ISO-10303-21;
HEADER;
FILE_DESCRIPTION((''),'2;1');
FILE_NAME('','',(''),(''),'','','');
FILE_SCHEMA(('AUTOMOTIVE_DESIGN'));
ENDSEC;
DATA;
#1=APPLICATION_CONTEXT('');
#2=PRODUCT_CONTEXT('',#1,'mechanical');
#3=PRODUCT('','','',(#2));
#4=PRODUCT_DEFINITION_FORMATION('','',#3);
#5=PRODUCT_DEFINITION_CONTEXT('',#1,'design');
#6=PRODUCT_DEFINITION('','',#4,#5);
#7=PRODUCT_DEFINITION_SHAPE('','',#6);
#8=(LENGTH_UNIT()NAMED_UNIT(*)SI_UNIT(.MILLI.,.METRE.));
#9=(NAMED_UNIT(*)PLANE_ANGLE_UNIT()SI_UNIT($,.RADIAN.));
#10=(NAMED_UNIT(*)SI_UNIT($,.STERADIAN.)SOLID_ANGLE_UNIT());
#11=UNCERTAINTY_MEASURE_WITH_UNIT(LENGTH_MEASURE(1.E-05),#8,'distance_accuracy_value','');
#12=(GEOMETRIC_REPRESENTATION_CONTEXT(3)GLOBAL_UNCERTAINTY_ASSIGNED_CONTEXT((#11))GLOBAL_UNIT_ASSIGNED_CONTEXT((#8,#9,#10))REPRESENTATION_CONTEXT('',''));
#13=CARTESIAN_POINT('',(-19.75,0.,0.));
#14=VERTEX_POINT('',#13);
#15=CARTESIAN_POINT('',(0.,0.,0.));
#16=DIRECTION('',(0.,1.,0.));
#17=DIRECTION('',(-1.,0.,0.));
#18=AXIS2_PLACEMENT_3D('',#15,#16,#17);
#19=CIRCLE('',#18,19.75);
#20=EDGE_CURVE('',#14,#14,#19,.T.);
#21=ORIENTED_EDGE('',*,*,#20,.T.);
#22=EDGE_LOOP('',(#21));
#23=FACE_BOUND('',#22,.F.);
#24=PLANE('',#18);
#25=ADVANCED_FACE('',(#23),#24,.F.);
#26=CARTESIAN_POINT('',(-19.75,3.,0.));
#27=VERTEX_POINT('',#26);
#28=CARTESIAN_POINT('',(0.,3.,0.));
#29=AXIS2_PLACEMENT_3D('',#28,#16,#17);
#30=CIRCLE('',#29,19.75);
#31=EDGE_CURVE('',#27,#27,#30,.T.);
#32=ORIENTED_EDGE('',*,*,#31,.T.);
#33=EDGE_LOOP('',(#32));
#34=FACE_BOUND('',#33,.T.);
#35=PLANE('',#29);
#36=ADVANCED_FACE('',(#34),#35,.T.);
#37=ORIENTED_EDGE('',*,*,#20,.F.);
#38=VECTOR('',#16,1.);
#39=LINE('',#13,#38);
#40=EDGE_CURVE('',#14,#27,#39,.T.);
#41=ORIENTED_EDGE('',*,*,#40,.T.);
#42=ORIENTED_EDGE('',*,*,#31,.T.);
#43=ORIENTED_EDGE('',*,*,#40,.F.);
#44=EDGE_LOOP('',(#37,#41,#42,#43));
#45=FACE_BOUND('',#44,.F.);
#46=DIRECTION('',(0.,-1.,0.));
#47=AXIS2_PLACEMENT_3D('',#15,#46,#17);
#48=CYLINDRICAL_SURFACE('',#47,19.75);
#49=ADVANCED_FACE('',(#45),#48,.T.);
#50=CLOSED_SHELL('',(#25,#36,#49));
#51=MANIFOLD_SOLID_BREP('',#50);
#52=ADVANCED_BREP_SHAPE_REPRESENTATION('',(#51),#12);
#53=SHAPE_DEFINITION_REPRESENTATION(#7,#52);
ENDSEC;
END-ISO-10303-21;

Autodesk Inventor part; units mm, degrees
ref_plane "YZ Plane" through (0, 0, 0) normal (1, 0, 0) x (0, 1, 0)
ref_plane "XZ Plane" through (0, 0, 0) normal (0, 1, 0) x (-1, 0, 0)
ref_plane "XY Plane" through (0, 0, 0) normal (0, 0, 1) x (1, 0, 0)
sketch "Skizze1" plane through (0, 0, 0) normal (0, 1, 0) x (-1, 0, 0)
  circle A0 centre (0, 0) radius 19.25
  circle A1 centre (0, 0) radius 19.75
  dimension "d0" = 38.5
  dimension "d1" = 0.5
extrude "Extrusion1" add sketch "Skizze1" along normal blind 3
sketch "Skizze2" plane through (0, 3, 0) normal (0, 1, 0) x (1, 0, 0)
  circle A0 centre (0, 0) radius 19.75 projected
  line L0 (-10.9514, -0.5507) -> (-9.9514, -0.5507) construction
  circle A1 centre (0, 0) radius 19.75 projected
  circle A2 centre (0, 0) radius 19.25 projected
  arc A3 (-10.1928, -0.3825) -> (-10.1928, 0.3825) centre (-9.7907, 0) ccw
  circle A4 centre (0, 0) radius 19.25 projected
  arc A5 (-9.9638, 0.85) -> (-9.7216, 0.5507) centre (-9.687, 0.8264) ccw
  arc A6 (-9.7216, -0.5507) -> (-9.9638, -0.85) centre (-9.687, -0.8264) ccw
  point P0 (-9.9865, 0.5193)
  point P1 (-9.9865, -0.5193)
  point P2 (-9.9865, 0.5193)
  point P3 (-9.9865, -0.5193)
  point P4 (-9.9638, 0.85)
  dimension "d9" = 1.11
  dimension "d10" = 0
  dimension "d11" = 1.7
  dimension "d12" = 0.85
  dimension "d14" = 9.7907
extrude "Extrusion2" add sketch "Skizze2" against normal up to surface (3 mm away) contours A2
pattern_circular "Runde Anordnung1" count 31 over 360 about axis through (0, 0, 0) along (0, 1, 0) of "Extrusion2"
equation "\"d12\" = 0.5 * d11"
properties part number "30_Cube_Z_Focus_MGN_NEMA_timingbelt_v3"
